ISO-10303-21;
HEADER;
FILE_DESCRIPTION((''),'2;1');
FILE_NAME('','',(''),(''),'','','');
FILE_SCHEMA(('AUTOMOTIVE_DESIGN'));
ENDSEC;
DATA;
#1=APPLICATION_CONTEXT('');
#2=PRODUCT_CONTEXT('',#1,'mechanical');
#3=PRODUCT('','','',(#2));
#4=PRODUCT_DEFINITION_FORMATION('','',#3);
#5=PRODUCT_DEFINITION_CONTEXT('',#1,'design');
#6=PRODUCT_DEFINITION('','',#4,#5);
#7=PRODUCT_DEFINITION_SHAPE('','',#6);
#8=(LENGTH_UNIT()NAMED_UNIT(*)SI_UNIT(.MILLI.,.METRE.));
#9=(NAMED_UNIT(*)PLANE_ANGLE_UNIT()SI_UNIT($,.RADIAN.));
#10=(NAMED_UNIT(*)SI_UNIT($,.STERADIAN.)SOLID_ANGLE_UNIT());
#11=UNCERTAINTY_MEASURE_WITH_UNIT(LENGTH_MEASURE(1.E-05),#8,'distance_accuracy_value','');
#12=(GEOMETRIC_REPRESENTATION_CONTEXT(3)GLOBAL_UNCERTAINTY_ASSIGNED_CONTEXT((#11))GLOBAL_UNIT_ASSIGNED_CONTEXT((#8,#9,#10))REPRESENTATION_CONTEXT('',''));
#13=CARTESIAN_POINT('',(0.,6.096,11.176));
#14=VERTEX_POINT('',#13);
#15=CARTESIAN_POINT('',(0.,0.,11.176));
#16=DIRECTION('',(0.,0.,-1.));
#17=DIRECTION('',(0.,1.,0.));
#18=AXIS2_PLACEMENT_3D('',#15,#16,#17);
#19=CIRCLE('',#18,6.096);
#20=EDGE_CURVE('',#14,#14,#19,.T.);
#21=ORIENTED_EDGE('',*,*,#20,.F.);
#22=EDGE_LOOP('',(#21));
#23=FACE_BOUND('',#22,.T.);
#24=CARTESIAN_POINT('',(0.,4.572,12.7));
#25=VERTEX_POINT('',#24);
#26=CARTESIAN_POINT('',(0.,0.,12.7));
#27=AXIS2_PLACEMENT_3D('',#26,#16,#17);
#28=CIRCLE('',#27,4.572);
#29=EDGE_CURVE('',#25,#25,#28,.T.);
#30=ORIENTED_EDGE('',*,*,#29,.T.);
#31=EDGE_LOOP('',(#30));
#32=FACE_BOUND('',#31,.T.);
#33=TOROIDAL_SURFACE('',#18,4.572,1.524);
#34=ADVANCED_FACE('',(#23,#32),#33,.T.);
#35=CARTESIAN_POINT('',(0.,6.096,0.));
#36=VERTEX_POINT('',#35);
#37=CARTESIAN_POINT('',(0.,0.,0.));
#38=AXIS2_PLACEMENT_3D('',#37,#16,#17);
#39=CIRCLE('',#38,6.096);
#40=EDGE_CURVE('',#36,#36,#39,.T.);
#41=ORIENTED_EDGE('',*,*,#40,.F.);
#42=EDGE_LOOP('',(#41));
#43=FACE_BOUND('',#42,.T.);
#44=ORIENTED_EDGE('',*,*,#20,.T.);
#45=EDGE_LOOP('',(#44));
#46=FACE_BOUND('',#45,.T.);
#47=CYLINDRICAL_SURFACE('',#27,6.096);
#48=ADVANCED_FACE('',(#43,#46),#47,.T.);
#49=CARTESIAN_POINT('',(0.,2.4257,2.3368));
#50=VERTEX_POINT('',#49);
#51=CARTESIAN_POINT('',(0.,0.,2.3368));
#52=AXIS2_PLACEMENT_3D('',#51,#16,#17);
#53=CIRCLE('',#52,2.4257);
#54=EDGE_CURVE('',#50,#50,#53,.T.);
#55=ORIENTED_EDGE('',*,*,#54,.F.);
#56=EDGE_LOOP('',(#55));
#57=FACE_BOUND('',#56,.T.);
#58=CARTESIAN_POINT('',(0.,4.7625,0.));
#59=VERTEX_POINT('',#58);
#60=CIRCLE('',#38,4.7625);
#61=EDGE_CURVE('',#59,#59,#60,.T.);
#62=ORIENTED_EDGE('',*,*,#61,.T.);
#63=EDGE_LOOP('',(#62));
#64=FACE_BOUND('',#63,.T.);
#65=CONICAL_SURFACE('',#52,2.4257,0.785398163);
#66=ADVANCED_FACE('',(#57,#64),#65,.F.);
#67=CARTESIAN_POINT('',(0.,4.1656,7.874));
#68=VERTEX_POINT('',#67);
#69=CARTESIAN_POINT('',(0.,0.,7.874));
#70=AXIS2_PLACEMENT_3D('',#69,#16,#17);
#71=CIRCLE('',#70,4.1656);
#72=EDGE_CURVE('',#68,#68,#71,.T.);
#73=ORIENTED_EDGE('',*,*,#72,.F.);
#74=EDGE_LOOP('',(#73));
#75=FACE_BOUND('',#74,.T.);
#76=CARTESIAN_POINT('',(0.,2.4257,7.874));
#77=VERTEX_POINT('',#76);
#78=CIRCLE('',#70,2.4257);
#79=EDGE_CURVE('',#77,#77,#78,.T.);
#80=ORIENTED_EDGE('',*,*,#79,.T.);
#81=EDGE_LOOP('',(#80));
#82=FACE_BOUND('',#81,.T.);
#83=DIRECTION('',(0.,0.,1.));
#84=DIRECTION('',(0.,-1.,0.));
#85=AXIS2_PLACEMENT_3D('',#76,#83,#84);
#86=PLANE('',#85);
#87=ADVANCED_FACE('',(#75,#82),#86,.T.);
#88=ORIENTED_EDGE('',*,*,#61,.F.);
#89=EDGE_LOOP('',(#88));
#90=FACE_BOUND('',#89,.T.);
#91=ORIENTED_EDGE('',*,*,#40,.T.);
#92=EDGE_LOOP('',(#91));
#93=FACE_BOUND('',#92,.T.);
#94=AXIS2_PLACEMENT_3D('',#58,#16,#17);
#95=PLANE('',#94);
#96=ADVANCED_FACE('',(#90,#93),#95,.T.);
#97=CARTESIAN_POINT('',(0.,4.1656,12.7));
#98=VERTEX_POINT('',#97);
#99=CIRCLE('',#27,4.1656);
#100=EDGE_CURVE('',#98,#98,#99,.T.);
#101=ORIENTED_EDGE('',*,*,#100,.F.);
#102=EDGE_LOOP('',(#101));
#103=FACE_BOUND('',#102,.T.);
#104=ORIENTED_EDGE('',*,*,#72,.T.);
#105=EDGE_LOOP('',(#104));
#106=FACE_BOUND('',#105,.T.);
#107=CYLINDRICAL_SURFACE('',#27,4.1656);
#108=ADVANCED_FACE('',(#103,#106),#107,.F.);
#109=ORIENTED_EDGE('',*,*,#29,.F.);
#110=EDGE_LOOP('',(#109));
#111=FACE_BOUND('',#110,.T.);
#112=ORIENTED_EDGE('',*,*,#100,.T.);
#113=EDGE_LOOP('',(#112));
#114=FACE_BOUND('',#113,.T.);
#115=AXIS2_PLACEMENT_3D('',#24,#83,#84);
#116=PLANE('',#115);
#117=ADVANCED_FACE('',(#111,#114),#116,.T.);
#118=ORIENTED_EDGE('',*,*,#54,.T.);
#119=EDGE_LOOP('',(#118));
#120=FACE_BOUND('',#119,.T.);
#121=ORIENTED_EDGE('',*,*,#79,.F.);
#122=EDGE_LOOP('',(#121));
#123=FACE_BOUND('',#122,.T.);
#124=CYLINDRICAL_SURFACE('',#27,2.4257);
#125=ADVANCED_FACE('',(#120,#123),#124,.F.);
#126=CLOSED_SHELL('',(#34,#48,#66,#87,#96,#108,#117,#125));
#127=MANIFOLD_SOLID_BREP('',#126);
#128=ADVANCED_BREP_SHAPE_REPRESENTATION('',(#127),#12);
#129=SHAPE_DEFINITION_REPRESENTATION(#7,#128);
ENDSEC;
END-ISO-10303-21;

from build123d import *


with BuildPart() as part:
    # Sketch1 → Revolve1 (revolve)
    with BuildSketch(Plane(origin=(0, 0, 0), x_dir=(0, 0, -1), z_dir=(1, 0, 0))):
        with BuildLine():
            Line((0, 4.7625), (0, 6.096))
            Line((0, 6.096), (-11.176, 6.096))
            ThreePointArc((-11.176, 6.096), (-12.253630735, 5.649630735), (-12.7, 4.572))
            Line((-12.7, 4.572), (-12.7, 4.1656))
            Line((-12.7, 4.1656), (-7.874, 4.1656))
            Line((-7.874, 4.1656), (-7.874, 2.4257))
            Line((-7.874, 2.4257), (-2.3368, 2.4257))
            Line((-2.3368, 2.4257), (0, 4.7625))
        make_face()
    revolve(axis=Axis((0, 0, 12.7), (0, 0, 1)))


solid = part.part
